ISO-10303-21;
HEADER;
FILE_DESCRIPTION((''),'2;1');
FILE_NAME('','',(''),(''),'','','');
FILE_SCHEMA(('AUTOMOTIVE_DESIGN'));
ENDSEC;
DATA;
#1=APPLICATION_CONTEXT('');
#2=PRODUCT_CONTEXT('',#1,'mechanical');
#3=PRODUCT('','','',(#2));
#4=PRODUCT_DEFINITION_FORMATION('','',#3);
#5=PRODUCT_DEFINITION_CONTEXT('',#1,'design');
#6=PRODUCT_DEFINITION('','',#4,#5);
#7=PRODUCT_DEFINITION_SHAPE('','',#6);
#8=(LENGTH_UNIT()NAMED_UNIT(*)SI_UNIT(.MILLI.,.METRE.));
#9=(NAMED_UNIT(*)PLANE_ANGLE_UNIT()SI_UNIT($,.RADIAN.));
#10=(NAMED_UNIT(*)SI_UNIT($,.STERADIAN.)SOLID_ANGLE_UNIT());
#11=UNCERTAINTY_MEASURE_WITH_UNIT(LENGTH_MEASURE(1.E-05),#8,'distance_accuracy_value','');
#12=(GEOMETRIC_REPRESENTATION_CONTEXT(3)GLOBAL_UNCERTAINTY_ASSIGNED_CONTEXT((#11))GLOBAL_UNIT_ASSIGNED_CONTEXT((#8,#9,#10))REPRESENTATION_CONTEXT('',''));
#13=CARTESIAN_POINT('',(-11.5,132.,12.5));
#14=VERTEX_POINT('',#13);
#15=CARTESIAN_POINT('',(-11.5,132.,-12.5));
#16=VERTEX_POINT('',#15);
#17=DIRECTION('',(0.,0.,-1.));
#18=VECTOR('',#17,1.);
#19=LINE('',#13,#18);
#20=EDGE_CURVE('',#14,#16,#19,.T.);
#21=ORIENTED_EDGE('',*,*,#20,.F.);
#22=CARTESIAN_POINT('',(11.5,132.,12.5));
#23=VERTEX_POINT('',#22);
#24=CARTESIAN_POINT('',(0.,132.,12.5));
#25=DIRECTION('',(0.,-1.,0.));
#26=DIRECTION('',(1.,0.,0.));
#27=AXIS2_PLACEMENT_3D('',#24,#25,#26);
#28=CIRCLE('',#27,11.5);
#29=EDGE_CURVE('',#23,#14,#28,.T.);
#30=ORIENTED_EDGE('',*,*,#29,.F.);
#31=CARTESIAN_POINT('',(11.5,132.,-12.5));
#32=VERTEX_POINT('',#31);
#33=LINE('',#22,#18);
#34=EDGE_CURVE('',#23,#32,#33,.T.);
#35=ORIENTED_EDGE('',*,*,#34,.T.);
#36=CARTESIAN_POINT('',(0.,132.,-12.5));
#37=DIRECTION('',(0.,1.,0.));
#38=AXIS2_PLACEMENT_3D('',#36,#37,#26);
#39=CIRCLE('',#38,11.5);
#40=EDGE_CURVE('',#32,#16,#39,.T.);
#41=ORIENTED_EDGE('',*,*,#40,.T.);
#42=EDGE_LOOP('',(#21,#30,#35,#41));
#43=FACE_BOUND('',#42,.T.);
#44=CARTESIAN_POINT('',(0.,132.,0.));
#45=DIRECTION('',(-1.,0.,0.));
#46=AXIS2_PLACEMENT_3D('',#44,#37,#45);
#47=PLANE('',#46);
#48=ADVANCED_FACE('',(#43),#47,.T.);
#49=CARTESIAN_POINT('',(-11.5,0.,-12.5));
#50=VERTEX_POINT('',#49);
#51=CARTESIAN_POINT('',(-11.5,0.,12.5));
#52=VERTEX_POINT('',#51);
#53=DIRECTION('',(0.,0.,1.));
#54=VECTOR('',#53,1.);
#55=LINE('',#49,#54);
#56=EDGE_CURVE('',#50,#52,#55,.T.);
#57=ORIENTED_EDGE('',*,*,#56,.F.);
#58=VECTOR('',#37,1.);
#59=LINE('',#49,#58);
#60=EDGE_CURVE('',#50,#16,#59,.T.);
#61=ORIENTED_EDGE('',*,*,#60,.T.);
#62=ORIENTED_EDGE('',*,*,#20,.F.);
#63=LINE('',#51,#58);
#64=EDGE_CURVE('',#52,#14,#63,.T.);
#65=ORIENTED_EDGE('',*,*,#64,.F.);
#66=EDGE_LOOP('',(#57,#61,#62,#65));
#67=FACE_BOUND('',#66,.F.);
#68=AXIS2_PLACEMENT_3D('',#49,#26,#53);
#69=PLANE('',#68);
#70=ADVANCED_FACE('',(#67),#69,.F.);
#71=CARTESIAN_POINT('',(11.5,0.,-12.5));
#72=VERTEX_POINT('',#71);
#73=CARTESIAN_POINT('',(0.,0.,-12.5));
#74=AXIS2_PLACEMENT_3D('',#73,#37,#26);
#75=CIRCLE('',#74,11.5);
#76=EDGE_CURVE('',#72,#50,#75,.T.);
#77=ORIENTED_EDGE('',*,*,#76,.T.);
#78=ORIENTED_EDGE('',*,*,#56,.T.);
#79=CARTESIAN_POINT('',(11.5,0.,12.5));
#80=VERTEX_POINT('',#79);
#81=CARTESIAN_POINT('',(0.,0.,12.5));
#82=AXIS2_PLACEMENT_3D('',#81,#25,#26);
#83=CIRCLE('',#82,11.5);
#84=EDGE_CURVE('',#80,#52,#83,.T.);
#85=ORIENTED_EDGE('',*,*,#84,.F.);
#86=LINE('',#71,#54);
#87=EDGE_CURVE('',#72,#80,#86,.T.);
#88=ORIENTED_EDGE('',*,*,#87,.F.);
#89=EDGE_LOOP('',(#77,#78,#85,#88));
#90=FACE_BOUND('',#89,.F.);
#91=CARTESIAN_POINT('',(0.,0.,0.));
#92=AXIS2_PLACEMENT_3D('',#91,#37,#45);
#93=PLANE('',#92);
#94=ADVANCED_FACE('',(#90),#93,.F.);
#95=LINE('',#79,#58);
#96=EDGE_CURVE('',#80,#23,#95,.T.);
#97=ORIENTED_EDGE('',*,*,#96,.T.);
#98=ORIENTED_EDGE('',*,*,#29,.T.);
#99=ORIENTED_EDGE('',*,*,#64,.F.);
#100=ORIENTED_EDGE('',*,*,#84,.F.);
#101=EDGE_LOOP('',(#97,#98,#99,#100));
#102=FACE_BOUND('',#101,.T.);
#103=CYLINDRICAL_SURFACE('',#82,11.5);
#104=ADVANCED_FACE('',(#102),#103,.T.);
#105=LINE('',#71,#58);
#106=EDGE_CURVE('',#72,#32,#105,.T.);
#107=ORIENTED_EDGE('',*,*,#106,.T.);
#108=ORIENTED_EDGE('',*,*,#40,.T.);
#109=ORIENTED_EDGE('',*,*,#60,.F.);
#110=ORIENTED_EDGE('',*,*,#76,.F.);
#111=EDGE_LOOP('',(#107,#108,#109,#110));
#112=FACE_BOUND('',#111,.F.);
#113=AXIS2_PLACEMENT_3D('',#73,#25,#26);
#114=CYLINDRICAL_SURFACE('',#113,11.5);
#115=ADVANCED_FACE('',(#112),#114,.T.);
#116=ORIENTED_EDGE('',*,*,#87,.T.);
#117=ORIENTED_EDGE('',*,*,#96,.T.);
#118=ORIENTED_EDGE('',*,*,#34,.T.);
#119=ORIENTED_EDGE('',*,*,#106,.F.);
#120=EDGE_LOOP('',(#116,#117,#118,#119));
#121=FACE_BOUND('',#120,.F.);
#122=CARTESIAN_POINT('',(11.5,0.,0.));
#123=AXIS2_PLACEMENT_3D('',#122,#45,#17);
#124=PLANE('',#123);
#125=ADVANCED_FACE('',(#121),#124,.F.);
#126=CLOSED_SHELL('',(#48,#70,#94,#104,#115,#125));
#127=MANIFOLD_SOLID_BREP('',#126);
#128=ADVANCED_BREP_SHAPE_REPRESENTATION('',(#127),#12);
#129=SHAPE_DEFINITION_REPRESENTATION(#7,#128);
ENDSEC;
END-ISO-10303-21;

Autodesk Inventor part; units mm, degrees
ref_plane "YZ Plane" through (0, 0, 0) normal (1, 0, 0) x (0, 1, 0)
ref_plane "XZ Plane" through (0, 0, 0) normal (0, 1, 0) x (-1, 0, 0)
ref_plane "XY Plane" through (0, 0, 0) normal (0, 0, 1) x (1, 0, 0)
sketch "スケッチ1" plane through (0, 0, 0) normal (0, 1, 0) x (-1, 0, 0)
  line L0 (11.5, 12.5) -> (-11.5, 12.5) construction
  line L1 (-11.5, 12.5) -> (-11.5, -12.5)
  line L2 (-11.5, -12.5) -> (11.5, -12.5) construction
  line L3 (11.5, -12.5) -> (11.5, 12.5)
  line L4 (11.5, 12.5) -> (-11.5, -12.5) construction
  line L5 (-11.5, 12.5) -> (11.5, -12.5) construction
  line L6 (11.5, 0) -> (-11.5, 0)
  arc A0 (-11.5, -12.5) -> (11.5, -12.5) centre (0, -12.5) ccw
  point P0 (0, 0)
  dimension "d0" = 23
  dimension "d1" = 25
extrude "押し出し1" add sketch "スケッチ1" along normal blind 132
mirror "ミラー1" about plane through (-11.5, 0, 0) normal (0, 0, 1) of "押し出し1"
properties part number "RC_CARS_BATTERY"
